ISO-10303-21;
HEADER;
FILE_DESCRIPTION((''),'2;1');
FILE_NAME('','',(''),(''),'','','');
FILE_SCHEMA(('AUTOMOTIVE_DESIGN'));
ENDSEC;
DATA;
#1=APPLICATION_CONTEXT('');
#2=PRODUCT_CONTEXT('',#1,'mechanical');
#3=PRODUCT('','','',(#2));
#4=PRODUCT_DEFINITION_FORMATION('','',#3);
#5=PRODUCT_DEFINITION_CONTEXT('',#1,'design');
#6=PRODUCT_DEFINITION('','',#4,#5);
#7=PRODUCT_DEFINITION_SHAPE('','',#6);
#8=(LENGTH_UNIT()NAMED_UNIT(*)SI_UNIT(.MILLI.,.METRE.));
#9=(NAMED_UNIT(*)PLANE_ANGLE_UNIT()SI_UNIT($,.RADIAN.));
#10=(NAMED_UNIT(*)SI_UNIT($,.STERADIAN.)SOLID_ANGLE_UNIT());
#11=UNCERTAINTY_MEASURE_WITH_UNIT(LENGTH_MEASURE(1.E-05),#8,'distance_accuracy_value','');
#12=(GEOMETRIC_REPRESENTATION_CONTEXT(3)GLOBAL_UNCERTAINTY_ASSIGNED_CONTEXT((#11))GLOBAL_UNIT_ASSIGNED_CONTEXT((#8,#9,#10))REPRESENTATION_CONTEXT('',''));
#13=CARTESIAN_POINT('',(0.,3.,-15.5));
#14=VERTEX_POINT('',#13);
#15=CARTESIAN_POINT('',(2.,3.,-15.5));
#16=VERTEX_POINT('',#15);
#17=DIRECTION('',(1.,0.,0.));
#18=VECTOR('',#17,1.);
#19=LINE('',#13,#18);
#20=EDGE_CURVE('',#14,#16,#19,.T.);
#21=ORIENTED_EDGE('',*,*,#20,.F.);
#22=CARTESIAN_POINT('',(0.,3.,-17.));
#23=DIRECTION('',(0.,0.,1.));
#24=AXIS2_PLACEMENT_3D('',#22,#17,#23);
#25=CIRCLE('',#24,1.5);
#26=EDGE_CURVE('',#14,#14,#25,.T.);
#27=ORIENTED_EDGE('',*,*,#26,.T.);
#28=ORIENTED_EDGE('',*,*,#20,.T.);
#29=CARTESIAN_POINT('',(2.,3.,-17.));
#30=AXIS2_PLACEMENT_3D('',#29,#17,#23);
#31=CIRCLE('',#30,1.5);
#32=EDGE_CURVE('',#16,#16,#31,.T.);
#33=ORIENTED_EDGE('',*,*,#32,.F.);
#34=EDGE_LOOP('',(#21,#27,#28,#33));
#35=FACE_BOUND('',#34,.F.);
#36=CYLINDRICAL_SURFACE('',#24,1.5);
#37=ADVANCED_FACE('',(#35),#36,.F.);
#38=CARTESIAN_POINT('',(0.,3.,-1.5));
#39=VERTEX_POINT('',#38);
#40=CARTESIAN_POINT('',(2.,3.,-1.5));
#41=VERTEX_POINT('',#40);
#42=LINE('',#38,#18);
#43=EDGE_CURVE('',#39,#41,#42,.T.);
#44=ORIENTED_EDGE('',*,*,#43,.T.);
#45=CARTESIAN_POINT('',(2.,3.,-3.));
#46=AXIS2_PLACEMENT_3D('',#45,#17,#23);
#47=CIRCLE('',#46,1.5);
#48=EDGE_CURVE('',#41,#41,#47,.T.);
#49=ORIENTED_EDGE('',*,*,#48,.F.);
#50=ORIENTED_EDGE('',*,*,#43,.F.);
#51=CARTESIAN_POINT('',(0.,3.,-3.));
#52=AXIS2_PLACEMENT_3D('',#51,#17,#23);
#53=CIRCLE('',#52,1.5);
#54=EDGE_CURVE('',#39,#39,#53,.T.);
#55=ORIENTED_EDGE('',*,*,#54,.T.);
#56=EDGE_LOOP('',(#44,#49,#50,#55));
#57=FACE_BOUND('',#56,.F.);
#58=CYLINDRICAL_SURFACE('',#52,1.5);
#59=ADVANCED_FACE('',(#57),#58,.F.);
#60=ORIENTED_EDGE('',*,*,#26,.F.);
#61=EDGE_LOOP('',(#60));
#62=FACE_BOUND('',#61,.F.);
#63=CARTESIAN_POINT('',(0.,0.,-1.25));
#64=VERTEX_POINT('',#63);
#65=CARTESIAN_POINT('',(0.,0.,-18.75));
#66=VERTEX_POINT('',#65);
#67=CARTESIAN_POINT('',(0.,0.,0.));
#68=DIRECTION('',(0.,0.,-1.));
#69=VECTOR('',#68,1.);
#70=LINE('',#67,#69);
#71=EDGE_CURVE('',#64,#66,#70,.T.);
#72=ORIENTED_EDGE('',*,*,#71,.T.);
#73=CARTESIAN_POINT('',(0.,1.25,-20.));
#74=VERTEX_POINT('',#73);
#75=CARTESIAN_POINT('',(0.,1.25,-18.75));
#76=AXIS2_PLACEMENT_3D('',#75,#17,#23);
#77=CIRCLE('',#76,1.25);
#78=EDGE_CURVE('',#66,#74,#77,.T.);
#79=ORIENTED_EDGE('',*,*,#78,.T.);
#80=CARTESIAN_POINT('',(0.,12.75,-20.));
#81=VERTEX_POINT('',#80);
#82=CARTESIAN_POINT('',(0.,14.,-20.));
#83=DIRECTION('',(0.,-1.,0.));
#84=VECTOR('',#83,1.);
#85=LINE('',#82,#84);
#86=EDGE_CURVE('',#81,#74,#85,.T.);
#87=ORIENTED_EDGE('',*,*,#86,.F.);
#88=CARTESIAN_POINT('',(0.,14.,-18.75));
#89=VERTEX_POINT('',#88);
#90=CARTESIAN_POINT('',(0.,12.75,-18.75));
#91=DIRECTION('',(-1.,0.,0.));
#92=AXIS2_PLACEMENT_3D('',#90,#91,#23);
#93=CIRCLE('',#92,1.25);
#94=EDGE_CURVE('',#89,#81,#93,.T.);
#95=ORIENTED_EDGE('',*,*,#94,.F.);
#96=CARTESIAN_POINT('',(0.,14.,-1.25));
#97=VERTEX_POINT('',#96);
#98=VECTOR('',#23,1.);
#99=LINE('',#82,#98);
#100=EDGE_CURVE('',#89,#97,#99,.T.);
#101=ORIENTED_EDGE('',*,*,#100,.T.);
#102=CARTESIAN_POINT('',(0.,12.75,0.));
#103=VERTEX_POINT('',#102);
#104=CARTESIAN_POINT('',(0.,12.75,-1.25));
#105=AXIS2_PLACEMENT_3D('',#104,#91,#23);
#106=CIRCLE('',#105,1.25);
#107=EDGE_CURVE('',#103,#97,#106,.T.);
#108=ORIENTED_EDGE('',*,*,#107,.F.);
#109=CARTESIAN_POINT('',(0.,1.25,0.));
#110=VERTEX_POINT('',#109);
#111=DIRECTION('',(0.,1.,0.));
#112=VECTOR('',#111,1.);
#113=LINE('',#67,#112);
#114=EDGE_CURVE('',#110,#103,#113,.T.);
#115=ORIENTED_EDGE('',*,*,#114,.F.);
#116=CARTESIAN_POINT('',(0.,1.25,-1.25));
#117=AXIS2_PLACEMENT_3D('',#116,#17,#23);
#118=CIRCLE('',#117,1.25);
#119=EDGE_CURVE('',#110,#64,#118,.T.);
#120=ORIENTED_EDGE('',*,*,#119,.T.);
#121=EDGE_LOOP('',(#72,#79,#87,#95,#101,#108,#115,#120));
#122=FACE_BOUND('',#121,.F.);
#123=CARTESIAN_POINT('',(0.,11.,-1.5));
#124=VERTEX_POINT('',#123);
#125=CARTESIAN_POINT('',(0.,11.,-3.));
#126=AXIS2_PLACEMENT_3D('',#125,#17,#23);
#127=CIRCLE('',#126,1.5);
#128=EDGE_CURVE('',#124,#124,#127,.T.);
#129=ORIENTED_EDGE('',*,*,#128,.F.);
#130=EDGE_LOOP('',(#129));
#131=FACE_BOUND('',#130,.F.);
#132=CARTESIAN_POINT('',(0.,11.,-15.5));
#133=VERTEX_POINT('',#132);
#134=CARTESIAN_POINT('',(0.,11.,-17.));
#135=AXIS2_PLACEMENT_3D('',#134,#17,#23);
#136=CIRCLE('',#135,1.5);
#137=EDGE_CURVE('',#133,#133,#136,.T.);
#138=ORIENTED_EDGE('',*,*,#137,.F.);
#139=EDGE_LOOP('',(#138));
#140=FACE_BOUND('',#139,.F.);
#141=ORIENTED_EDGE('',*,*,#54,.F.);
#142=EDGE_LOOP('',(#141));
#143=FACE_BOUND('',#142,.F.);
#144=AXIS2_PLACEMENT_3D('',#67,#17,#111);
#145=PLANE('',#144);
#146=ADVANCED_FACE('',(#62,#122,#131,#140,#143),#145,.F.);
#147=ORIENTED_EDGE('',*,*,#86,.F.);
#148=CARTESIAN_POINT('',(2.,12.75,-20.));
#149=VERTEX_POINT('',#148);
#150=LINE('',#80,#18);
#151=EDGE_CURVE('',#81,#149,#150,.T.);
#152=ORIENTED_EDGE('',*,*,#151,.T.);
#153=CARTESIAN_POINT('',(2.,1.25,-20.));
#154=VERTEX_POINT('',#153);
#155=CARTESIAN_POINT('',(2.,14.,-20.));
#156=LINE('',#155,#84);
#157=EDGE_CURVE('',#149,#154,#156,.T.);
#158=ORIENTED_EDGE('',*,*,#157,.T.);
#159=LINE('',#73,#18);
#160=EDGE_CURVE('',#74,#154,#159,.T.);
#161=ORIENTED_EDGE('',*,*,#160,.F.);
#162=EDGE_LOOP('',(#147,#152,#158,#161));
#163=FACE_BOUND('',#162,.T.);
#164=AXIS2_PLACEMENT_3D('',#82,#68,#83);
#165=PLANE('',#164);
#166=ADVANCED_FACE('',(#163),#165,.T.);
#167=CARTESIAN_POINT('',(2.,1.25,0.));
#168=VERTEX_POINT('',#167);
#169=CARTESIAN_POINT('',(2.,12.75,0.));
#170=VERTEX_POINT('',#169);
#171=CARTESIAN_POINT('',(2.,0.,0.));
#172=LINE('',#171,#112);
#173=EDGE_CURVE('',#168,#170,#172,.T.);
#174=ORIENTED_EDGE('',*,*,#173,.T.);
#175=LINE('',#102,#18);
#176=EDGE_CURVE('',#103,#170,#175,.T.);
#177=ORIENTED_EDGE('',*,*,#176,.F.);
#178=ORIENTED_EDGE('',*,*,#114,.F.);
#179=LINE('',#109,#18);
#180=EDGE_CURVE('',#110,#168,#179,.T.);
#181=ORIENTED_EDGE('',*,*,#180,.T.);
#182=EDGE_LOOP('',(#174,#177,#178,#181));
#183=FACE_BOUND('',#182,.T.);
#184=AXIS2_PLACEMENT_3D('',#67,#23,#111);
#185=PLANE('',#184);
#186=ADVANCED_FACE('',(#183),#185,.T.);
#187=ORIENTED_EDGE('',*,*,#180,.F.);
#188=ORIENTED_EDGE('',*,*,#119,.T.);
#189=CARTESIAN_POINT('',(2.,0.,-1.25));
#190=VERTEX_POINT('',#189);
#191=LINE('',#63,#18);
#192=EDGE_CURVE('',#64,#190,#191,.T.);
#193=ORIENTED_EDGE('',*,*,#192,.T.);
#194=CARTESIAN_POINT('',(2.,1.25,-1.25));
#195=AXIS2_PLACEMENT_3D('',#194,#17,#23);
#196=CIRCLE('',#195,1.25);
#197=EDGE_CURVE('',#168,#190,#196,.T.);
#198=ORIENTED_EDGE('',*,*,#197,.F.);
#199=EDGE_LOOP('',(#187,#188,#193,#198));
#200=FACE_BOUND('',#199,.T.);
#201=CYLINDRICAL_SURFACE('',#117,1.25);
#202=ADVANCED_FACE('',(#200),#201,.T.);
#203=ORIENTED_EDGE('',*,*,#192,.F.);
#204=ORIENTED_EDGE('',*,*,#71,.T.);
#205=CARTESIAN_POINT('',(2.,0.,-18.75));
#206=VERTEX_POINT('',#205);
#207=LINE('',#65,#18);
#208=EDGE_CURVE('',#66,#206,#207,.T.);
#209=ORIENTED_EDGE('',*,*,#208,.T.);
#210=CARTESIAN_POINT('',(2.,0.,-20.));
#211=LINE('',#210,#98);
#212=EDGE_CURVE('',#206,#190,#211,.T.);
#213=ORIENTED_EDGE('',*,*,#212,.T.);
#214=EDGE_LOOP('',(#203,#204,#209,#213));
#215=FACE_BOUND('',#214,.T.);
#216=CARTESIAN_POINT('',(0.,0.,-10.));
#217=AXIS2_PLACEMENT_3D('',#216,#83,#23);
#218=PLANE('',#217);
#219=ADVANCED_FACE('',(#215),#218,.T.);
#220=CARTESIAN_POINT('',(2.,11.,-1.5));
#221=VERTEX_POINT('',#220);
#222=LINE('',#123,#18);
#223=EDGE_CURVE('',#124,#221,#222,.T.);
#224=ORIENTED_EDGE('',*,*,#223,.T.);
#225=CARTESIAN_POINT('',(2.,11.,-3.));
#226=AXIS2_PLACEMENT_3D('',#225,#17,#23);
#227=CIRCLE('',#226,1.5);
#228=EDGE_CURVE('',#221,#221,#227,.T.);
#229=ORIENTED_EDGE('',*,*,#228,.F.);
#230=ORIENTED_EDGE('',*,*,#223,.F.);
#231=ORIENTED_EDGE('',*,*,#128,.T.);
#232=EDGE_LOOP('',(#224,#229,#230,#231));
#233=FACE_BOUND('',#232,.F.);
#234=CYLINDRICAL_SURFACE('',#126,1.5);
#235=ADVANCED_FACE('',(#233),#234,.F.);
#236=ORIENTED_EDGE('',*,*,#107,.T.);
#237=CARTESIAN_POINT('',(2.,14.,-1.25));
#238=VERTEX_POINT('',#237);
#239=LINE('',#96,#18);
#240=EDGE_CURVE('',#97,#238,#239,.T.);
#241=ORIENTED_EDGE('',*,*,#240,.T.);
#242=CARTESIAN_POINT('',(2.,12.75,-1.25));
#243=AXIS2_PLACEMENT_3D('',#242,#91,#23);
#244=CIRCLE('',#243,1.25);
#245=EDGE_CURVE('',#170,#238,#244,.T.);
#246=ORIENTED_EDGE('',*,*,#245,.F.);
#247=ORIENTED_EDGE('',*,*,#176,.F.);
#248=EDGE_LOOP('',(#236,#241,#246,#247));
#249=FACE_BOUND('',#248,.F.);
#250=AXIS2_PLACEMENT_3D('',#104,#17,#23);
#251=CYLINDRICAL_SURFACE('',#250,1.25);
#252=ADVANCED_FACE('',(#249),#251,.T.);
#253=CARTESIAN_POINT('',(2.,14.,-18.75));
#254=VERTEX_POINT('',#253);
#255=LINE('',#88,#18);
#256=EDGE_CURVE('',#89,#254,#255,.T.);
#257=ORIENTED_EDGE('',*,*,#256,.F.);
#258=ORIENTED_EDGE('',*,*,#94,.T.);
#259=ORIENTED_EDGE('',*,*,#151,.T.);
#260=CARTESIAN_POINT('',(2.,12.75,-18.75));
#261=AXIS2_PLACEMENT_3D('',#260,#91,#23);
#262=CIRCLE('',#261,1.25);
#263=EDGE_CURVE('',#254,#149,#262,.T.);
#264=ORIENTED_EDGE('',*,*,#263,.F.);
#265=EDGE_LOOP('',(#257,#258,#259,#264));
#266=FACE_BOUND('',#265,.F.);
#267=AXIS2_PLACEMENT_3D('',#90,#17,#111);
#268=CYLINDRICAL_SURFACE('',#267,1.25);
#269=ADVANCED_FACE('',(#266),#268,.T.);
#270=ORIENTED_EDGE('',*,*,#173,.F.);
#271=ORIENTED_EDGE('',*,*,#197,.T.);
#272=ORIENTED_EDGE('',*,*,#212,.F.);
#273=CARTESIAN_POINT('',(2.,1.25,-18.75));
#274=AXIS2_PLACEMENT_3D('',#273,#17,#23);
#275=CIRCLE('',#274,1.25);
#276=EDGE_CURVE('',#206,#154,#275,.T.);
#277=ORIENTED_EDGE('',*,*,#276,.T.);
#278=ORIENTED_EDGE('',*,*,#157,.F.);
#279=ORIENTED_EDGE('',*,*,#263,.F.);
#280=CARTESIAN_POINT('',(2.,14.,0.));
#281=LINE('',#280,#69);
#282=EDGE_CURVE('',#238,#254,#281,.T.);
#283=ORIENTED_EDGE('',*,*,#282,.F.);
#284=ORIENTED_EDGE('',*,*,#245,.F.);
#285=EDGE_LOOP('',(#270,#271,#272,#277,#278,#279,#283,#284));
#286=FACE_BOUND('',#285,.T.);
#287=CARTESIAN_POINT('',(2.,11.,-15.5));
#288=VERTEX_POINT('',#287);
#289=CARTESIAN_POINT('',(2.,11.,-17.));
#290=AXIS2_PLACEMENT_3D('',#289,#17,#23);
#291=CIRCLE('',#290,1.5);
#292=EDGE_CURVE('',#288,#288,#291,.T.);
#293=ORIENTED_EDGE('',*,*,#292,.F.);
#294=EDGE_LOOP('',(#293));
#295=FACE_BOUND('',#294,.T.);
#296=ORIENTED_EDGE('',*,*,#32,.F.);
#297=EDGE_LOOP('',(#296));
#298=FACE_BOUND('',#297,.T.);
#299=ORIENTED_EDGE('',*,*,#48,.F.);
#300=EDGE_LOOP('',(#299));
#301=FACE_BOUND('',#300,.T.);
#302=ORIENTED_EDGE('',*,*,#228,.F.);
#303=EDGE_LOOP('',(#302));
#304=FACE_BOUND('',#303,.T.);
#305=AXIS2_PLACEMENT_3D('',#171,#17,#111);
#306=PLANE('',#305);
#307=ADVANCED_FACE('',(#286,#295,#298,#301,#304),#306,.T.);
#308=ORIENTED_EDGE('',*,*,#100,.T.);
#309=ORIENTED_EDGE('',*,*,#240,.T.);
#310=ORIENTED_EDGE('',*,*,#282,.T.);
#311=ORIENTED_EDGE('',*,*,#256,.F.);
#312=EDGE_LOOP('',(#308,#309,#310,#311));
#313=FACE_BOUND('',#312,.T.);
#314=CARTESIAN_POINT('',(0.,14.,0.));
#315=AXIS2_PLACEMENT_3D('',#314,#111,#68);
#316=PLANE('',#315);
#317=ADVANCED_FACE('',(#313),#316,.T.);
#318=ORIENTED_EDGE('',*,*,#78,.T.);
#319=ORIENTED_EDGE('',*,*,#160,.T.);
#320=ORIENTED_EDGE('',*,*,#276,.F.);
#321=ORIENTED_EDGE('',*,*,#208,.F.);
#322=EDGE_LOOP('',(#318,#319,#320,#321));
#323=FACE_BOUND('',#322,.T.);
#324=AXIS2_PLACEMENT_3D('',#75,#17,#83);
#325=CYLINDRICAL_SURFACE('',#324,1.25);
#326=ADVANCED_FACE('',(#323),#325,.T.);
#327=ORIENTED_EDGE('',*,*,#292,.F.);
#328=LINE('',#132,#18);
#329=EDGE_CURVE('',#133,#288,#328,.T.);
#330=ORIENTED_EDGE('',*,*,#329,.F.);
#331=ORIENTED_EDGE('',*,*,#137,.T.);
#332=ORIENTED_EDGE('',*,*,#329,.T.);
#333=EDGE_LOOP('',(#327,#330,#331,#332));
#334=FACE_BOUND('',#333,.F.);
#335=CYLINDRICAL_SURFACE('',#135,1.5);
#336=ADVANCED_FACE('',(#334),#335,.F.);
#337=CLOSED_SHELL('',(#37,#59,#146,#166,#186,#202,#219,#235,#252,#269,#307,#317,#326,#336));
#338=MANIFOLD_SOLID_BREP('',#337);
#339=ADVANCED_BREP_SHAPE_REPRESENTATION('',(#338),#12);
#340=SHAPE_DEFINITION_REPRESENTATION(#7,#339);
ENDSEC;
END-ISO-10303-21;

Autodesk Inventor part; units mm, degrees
ref_plane "YZ Plane" through (0, 0, 0) normal (1, 0, 0) x (0, 1, 0)
ref_plane "XZ Plane" through (0, 0, 0) normal (0, 1, 0) x (-1, 0, 0)
ref_plane "XY Plane" through (0, 0, 0) normal (0, 0, 1) x (1, 0, 0)
sketch "Sketch1" plane through (0, 0, 0) normal (1, 0, 0) x (0, 1, 0)
  line L0 (0, 0) -> (14, 0)
  line L1 (14, 0) -> (14, -20)
  line L2 (14, -20) -> (0, -20)
  line L3 (0, -20) -> (0, 0)
  line L4 (14, -10) -> (0, -10)
  point P0 (11, -3)
  point P1 (3, -3)
  point P2 (11, -17)
  point P3 (3, -17)
  dimension "d0" = 14
  dimension "d1" = 20
  dimension "d2" = 8
  dimension "d3" = 3
  dimension "d4" = 3
  dimension "d5" = 3
extrude "Extrusion1" add sketch "Sketch1" along normal blind 2
hole "Hole1" at (0, 11, -3) at (0, 3, -3) at (0, 11, -17) at (0, 3, -17) direction (1, 0, 0) diameter 3 depth 80.45
fillet "Fillet1" radius 1.25 4 edges at (1, 14, 0) (1, 14, -20) (1, 0, -20) (1, 0, 0)
properties part number "belt_holder_2" material "アルミニウム 6061"
